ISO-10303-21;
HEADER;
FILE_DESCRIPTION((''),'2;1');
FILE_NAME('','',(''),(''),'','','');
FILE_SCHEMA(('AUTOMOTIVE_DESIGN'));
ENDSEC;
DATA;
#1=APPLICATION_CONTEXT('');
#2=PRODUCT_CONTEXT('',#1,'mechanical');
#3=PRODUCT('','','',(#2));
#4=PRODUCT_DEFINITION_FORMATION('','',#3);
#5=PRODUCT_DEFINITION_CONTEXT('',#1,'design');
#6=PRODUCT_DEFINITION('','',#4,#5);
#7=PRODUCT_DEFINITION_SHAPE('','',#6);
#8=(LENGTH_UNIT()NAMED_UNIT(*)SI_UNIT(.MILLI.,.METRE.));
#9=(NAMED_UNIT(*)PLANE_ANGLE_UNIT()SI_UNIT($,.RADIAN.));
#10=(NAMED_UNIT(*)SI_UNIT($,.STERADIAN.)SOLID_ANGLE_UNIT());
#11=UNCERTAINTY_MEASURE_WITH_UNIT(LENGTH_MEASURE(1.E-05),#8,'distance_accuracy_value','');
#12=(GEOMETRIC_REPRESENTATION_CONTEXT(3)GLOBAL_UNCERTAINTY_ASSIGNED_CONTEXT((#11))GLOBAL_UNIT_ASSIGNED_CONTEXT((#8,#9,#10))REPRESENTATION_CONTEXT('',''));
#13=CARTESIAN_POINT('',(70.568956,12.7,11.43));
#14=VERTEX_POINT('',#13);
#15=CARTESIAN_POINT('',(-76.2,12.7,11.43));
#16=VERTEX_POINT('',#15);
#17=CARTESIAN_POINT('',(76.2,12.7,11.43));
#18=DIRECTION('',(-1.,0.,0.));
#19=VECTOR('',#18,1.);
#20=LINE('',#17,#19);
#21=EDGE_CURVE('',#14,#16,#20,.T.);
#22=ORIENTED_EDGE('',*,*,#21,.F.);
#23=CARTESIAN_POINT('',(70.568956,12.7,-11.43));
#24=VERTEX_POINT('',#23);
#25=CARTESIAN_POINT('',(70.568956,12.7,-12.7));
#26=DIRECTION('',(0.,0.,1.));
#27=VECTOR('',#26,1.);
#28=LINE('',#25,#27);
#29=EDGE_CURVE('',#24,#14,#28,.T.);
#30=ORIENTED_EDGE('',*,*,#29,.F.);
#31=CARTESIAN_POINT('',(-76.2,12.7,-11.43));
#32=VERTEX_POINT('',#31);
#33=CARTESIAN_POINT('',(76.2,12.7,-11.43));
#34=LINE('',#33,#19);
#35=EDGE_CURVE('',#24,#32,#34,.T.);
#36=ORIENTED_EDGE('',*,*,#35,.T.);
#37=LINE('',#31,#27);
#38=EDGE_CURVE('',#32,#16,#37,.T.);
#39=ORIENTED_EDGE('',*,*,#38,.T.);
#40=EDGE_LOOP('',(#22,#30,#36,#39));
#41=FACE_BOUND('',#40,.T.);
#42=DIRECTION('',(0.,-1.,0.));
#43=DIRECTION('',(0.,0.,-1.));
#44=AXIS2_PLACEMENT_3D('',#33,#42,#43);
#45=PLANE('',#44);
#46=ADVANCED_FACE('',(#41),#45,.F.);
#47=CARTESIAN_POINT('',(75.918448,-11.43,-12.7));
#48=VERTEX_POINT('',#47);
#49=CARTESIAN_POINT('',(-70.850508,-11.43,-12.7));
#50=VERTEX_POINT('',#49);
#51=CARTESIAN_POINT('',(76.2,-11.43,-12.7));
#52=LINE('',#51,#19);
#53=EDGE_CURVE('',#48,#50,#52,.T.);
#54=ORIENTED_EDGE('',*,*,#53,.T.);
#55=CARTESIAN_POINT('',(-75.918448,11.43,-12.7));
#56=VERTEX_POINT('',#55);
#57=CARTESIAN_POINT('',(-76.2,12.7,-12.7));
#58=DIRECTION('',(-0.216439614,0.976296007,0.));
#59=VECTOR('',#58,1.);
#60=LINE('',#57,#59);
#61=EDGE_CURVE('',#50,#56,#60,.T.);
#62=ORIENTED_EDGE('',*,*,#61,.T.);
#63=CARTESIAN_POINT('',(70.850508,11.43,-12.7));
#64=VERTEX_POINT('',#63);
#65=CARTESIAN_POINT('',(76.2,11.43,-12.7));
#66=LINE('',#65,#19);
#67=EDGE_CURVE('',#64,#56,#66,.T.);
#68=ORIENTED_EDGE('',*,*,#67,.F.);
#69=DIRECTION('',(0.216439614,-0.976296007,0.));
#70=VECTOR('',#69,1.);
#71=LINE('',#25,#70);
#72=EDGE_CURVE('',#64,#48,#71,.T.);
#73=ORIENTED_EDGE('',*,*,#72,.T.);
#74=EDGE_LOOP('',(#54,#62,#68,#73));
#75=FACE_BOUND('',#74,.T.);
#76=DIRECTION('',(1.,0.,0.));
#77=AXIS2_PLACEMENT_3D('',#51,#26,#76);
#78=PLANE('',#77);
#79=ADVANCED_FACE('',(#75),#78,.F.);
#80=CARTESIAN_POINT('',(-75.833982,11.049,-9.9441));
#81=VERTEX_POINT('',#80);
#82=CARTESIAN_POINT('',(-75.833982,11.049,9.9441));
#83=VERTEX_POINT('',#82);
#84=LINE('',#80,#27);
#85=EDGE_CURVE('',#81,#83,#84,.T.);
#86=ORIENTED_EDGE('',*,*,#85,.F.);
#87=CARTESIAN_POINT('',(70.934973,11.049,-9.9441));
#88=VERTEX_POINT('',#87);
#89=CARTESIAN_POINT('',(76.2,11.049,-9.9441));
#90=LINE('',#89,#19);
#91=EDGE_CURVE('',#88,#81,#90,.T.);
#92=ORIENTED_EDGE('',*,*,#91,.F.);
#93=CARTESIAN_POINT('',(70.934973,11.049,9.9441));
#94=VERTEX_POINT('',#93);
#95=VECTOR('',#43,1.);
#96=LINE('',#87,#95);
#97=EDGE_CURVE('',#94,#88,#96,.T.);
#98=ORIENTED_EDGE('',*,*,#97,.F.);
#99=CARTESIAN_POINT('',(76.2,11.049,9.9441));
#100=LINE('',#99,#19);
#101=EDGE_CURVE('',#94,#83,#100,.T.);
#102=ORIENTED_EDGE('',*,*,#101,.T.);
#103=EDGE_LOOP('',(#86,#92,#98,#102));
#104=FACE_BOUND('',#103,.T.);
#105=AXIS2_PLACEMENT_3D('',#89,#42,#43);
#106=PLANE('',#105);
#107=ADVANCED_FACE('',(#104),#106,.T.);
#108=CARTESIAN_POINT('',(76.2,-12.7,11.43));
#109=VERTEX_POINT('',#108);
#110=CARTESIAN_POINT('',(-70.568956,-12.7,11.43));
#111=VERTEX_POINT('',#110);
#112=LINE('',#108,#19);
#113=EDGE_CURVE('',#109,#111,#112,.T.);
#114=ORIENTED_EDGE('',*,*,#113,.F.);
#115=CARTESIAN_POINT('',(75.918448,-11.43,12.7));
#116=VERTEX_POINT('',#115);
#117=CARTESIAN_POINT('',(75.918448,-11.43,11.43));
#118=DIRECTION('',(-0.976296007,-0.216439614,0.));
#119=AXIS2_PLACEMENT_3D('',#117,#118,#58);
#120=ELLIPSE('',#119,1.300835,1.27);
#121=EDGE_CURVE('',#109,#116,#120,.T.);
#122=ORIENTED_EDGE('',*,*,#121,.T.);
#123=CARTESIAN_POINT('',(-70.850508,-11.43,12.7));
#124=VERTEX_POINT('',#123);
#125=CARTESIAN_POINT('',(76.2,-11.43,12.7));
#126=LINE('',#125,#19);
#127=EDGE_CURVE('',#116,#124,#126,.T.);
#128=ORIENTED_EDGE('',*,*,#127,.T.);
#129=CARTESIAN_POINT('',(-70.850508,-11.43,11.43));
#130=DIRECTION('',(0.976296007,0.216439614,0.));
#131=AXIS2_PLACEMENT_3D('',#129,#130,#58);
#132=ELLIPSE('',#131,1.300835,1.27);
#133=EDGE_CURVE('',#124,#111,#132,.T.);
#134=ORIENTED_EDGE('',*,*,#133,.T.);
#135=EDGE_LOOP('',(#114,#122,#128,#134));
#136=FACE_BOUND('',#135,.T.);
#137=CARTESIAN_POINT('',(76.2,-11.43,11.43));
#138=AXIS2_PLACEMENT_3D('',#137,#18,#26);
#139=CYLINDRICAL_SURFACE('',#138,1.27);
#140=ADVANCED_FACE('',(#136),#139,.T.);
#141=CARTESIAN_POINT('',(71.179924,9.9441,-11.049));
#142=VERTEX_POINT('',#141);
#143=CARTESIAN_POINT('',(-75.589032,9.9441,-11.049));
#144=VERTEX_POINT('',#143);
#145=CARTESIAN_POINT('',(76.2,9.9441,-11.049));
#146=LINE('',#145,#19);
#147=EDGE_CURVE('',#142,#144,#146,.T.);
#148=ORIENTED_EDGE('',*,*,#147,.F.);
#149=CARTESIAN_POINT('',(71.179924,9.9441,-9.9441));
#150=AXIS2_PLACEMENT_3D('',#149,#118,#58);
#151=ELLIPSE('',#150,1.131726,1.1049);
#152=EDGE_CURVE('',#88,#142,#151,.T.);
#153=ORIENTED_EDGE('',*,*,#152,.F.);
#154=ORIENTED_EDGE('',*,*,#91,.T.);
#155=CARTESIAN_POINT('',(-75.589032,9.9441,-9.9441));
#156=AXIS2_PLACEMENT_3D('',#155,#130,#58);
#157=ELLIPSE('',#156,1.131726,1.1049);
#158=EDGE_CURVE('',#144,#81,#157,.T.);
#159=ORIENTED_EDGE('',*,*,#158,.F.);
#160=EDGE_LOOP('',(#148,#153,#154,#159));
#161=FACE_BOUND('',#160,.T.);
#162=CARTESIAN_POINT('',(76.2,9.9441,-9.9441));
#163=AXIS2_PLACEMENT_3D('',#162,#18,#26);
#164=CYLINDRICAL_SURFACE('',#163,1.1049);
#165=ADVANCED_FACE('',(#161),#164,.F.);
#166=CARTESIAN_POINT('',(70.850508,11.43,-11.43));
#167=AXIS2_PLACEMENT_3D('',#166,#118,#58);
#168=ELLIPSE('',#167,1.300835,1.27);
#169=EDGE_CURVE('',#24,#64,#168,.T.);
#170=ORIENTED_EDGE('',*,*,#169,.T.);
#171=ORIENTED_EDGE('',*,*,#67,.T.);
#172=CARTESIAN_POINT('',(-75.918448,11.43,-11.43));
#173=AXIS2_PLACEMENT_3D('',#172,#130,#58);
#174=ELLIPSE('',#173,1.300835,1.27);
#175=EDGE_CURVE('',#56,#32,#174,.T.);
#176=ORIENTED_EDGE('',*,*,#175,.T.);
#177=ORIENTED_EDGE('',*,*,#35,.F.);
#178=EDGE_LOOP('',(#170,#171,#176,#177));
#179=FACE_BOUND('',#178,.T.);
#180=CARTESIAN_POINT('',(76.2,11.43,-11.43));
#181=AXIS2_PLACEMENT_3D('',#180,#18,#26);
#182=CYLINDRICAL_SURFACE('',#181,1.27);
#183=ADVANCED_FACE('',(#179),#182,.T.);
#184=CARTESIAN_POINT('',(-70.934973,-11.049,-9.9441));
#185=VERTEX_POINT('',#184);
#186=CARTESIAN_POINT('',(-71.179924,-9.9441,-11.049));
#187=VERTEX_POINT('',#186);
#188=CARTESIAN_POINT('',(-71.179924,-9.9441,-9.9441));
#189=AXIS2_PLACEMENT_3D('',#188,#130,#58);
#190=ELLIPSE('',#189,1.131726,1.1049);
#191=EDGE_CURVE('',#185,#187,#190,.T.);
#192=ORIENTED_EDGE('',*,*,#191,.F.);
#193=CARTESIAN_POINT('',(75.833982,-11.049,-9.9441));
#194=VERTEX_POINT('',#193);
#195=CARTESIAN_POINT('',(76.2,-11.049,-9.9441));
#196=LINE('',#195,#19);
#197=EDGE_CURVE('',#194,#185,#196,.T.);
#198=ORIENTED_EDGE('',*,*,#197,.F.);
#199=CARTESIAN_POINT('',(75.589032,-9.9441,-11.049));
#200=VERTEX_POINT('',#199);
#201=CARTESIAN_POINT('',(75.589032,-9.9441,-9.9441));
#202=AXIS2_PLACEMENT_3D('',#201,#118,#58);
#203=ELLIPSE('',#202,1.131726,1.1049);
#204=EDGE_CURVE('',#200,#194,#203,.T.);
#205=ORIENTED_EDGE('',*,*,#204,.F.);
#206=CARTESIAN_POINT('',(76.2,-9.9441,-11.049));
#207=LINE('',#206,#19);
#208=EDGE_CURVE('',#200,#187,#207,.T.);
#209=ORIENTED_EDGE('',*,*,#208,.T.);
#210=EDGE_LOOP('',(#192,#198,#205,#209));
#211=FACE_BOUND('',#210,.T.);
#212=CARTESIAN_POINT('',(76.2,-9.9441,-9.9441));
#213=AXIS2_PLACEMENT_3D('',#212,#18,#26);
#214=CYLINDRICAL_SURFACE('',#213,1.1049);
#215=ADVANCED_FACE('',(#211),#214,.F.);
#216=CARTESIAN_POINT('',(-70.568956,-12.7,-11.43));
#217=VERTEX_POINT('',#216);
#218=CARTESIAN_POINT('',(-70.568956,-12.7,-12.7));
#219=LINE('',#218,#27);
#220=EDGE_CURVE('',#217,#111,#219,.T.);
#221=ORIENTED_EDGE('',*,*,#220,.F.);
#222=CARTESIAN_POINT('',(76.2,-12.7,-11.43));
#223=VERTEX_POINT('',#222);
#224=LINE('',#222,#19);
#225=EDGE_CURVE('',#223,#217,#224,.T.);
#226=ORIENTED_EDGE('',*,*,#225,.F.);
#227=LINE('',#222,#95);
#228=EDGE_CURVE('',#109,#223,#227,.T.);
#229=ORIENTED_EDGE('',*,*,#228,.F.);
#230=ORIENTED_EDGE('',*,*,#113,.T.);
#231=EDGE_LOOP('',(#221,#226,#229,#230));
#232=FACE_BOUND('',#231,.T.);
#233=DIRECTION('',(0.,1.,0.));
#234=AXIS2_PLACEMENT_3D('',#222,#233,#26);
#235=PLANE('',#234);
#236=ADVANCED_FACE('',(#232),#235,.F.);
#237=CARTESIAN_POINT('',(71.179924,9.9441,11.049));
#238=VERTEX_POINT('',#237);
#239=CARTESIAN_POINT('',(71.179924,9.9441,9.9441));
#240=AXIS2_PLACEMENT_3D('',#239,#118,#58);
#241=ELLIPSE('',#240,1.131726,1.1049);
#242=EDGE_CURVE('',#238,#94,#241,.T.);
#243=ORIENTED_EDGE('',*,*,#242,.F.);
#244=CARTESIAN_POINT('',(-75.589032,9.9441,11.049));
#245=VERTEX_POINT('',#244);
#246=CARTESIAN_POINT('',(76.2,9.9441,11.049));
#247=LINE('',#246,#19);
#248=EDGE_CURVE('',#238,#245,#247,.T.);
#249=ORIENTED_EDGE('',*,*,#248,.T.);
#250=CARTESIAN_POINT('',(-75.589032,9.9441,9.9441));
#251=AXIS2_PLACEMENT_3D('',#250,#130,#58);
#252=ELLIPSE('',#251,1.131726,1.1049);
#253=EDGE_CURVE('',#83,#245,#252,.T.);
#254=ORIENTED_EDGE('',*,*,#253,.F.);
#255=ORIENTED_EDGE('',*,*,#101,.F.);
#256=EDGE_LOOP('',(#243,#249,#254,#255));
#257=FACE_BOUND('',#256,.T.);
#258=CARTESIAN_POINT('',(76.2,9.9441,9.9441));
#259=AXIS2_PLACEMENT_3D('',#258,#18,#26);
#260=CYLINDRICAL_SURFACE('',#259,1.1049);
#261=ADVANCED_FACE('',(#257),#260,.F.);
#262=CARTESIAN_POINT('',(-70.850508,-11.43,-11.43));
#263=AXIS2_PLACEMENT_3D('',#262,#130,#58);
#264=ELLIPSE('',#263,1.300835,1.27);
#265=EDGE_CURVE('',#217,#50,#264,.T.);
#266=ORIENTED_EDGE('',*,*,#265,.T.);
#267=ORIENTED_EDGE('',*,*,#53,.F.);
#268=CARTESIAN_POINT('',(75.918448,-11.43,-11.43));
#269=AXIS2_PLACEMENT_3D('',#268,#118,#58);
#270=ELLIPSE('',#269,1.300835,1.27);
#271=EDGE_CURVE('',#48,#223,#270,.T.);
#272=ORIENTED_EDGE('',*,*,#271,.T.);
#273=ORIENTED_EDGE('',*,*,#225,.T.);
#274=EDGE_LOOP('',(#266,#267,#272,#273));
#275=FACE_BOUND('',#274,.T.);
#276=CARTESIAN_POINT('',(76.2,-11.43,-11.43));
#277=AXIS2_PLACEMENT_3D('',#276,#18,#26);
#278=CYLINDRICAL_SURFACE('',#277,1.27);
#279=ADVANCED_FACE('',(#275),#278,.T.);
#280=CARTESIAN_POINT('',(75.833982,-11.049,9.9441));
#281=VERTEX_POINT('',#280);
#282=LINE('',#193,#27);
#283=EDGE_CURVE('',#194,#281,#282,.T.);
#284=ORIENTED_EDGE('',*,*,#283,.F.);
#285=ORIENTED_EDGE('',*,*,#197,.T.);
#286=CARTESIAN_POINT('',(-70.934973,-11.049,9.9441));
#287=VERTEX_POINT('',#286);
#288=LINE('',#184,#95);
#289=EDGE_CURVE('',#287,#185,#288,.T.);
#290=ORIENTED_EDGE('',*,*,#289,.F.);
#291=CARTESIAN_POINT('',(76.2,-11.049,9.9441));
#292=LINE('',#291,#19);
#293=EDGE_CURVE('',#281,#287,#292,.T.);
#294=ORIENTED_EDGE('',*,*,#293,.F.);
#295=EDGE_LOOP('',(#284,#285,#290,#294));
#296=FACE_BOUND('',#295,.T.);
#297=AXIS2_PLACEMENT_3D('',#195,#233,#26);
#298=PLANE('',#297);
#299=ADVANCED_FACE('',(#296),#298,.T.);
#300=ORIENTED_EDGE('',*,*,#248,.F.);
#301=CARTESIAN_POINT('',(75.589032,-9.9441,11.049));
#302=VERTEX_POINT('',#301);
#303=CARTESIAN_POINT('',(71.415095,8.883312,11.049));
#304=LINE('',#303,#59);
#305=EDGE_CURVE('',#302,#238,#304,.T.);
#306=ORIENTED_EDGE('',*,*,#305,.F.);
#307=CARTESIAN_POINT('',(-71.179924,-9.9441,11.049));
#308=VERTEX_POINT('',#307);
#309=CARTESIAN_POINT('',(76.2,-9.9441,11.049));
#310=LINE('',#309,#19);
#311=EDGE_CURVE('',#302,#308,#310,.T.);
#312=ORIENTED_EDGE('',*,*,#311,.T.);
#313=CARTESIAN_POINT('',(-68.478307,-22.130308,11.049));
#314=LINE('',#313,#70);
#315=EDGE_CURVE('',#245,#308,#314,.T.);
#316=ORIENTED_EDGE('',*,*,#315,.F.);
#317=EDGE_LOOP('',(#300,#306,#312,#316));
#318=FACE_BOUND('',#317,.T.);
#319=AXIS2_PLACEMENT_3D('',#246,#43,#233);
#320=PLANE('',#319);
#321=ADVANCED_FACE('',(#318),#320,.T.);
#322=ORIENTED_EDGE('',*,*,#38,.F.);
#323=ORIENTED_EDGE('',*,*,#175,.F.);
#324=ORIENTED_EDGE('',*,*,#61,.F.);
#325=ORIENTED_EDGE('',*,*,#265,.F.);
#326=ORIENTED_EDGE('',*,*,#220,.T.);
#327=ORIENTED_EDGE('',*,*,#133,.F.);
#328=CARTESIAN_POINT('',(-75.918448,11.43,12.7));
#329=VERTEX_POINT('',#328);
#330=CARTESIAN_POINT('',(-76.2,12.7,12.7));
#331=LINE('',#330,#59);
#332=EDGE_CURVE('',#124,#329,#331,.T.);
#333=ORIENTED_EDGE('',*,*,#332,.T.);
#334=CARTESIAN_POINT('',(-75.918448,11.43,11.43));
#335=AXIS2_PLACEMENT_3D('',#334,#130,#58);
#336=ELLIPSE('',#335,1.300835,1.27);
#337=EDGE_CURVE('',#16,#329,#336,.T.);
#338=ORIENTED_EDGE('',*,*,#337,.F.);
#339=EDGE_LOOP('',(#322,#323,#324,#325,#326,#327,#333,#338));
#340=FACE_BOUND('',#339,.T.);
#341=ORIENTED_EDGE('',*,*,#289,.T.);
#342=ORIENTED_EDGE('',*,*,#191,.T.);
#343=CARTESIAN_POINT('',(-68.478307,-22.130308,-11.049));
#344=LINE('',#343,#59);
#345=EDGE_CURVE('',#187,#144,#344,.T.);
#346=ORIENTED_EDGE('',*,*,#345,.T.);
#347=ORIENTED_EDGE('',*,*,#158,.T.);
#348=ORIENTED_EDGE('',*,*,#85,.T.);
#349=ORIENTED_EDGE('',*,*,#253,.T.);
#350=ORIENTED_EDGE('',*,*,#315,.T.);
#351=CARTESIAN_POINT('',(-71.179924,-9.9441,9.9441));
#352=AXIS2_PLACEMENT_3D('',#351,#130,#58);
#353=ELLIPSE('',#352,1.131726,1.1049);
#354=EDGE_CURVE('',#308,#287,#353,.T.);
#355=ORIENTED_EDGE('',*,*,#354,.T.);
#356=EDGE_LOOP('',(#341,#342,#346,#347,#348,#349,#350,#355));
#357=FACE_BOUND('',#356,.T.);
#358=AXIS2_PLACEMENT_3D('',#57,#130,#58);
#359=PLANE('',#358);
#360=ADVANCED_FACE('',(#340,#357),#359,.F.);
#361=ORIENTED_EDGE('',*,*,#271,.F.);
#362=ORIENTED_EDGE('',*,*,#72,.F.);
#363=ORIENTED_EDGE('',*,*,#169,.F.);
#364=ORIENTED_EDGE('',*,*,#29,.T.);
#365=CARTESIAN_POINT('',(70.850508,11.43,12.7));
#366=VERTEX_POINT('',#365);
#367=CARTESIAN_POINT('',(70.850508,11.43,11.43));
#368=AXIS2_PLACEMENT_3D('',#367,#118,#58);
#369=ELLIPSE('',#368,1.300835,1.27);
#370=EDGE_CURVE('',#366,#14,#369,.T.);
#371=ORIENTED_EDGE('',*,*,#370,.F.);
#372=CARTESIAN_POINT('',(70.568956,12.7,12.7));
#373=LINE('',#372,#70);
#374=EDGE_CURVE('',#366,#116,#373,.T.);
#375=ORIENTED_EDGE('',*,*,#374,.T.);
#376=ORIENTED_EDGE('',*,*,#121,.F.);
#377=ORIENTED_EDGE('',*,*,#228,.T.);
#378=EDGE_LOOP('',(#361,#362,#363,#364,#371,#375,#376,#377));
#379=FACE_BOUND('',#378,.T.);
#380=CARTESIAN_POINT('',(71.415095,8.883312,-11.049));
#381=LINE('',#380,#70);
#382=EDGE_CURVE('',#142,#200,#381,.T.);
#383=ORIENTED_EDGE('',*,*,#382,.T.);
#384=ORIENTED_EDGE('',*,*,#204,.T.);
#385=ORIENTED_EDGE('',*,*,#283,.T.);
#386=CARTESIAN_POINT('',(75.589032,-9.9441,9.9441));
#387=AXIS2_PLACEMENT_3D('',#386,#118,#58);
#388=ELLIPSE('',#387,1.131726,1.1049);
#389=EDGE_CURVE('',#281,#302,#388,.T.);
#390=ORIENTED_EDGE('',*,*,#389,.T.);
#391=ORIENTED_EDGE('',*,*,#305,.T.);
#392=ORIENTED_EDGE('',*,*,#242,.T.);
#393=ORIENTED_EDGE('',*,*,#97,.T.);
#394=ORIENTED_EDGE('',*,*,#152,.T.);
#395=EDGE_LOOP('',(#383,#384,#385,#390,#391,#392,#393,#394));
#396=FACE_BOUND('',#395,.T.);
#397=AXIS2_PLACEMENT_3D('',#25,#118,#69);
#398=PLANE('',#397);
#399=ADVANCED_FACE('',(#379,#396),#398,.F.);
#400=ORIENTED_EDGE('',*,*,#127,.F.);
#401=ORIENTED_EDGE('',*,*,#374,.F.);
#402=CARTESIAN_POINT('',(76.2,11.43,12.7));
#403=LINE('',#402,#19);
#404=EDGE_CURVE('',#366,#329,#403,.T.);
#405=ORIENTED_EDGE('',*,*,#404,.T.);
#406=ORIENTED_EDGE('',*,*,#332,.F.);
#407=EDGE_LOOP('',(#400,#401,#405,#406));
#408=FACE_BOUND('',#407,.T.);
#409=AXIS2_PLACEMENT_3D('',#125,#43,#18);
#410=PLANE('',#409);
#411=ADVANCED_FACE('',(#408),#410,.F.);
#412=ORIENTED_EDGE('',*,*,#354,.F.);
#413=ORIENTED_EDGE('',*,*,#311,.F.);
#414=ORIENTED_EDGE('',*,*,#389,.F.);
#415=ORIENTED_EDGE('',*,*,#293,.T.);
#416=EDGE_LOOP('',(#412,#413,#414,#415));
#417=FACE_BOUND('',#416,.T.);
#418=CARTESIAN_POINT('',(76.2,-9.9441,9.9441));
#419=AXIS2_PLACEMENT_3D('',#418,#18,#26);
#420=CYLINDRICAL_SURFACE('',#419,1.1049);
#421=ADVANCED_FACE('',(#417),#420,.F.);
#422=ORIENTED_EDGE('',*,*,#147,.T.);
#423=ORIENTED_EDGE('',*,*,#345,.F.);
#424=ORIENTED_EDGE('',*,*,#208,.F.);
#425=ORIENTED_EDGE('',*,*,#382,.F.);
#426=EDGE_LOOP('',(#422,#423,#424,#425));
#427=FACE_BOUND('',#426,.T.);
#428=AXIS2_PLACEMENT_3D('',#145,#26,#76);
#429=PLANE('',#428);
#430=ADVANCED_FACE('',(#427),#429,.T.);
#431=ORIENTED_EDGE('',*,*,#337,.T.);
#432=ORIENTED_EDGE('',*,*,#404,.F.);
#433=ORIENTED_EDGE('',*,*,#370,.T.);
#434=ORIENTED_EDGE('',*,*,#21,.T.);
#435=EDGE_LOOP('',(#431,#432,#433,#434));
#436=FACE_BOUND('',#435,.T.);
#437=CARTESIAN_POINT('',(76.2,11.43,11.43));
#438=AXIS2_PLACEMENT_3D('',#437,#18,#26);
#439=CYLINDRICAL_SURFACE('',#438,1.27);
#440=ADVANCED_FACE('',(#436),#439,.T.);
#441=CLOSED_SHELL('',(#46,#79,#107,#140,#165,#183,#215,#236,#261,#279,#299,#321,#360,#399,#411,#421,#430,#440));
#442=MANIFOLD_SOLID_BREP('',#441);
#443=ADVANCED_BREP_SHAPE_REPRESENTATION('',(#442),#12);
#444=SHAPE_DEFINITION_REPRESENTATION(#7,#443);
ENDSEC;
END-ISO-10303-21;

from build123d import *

# Parameters (mm, degrees)
BOSS_EXTRUDE1_DEPTH      = 76.2
BOSS_EXTRUDE1_DEPTH_BACK = 76.2
CUT_EXTRUDE1_DEPTH       = 82.319677815


with BuildPart() as part:
    # Sketch4 → Boss-Extrude1 (new, two sides: drawn at the far end of the back side and taken through both)
    with BuildSketch(Plane(origin=(0, 0, 0), x_dir=(0, 0, -1), z_dir=(1, 0, 0)).offset(-BOSS_EXTRUDE1_DEPTH_BACK)):
        with BuildLine():
            Line((12.7, -11.43), (12.7, 11.43))
            ThreePointArc((12.7, 11.43), (12.328025612, 12.328025612), (11.43, 12.7))
            Line((11.43, 12.7), (-11.43, 12.7))
            ThreePointArc((-11.43, 12.7), (-12.328025612, 12.328025612), (-12.7, 11.43))
            Line((-12.7, 11.43), (-12.7, -11.43))
            ThreePointArc((-12.7, -11.43), (-12.328025612, -12.328025612), (-11.43, -12.7))
            Line((-11.43, -12.7), (11.43, -12.7))
            ThreePointArc((11.43, -12.7), (12.328025612, -12.328025612), (12.7, -11.43))
        make_face()
        with BuildLine():
            Line((11.049, 9.9441), (11.049, -9.9441))
            ThreePointArc((11.049, -9.9441), (10.725382283, -10.725382283), (9.9441, -11.049))
            Line((9.9441, -11.049), (-9.9441, -11.049))
            ThreePointArc((-9.9441, -11.049), (-10.725382283, -10.725382283), (-11.049, -9.9441))
            Line((-11.049, -9.9441), (-11.049, 9.9441))
            ThreePointArc((-11.049, 9.9441), (-10.725382283, 10.725382283), (-9.9441, 11.049))
            Line((-9.9441, 11.049), (9.9441, 11.049))
            ThreePointArc((9.9441, 11.049), (10.725382283, 10.725382283), (11.049, 9.9441))
        make_face(mode=Mode.SUBTRACT)
    extrude(amount=BOSS_EXTRUDE1_DEPTH + BOSS_EXTRUDE1_DEPTH_BACK)

    # Sketch5 → Cut-Extrude1 (cut, through all)
    with BuildSketch(Plane.XY.offset(12.7)):
        Polygon((76.2, -12.7), (76.2, 12.7), (70.568955569, 12.7), align=None)
        Polygon((-76.2, -12.7), (-76.2, 12.7), (-70.568955569, -12.7), align=None)
    extrude(amount=-CUT_EXTRUDE1_DEPTH, mode=Mode.SUBTRACT)


solid = part.part
